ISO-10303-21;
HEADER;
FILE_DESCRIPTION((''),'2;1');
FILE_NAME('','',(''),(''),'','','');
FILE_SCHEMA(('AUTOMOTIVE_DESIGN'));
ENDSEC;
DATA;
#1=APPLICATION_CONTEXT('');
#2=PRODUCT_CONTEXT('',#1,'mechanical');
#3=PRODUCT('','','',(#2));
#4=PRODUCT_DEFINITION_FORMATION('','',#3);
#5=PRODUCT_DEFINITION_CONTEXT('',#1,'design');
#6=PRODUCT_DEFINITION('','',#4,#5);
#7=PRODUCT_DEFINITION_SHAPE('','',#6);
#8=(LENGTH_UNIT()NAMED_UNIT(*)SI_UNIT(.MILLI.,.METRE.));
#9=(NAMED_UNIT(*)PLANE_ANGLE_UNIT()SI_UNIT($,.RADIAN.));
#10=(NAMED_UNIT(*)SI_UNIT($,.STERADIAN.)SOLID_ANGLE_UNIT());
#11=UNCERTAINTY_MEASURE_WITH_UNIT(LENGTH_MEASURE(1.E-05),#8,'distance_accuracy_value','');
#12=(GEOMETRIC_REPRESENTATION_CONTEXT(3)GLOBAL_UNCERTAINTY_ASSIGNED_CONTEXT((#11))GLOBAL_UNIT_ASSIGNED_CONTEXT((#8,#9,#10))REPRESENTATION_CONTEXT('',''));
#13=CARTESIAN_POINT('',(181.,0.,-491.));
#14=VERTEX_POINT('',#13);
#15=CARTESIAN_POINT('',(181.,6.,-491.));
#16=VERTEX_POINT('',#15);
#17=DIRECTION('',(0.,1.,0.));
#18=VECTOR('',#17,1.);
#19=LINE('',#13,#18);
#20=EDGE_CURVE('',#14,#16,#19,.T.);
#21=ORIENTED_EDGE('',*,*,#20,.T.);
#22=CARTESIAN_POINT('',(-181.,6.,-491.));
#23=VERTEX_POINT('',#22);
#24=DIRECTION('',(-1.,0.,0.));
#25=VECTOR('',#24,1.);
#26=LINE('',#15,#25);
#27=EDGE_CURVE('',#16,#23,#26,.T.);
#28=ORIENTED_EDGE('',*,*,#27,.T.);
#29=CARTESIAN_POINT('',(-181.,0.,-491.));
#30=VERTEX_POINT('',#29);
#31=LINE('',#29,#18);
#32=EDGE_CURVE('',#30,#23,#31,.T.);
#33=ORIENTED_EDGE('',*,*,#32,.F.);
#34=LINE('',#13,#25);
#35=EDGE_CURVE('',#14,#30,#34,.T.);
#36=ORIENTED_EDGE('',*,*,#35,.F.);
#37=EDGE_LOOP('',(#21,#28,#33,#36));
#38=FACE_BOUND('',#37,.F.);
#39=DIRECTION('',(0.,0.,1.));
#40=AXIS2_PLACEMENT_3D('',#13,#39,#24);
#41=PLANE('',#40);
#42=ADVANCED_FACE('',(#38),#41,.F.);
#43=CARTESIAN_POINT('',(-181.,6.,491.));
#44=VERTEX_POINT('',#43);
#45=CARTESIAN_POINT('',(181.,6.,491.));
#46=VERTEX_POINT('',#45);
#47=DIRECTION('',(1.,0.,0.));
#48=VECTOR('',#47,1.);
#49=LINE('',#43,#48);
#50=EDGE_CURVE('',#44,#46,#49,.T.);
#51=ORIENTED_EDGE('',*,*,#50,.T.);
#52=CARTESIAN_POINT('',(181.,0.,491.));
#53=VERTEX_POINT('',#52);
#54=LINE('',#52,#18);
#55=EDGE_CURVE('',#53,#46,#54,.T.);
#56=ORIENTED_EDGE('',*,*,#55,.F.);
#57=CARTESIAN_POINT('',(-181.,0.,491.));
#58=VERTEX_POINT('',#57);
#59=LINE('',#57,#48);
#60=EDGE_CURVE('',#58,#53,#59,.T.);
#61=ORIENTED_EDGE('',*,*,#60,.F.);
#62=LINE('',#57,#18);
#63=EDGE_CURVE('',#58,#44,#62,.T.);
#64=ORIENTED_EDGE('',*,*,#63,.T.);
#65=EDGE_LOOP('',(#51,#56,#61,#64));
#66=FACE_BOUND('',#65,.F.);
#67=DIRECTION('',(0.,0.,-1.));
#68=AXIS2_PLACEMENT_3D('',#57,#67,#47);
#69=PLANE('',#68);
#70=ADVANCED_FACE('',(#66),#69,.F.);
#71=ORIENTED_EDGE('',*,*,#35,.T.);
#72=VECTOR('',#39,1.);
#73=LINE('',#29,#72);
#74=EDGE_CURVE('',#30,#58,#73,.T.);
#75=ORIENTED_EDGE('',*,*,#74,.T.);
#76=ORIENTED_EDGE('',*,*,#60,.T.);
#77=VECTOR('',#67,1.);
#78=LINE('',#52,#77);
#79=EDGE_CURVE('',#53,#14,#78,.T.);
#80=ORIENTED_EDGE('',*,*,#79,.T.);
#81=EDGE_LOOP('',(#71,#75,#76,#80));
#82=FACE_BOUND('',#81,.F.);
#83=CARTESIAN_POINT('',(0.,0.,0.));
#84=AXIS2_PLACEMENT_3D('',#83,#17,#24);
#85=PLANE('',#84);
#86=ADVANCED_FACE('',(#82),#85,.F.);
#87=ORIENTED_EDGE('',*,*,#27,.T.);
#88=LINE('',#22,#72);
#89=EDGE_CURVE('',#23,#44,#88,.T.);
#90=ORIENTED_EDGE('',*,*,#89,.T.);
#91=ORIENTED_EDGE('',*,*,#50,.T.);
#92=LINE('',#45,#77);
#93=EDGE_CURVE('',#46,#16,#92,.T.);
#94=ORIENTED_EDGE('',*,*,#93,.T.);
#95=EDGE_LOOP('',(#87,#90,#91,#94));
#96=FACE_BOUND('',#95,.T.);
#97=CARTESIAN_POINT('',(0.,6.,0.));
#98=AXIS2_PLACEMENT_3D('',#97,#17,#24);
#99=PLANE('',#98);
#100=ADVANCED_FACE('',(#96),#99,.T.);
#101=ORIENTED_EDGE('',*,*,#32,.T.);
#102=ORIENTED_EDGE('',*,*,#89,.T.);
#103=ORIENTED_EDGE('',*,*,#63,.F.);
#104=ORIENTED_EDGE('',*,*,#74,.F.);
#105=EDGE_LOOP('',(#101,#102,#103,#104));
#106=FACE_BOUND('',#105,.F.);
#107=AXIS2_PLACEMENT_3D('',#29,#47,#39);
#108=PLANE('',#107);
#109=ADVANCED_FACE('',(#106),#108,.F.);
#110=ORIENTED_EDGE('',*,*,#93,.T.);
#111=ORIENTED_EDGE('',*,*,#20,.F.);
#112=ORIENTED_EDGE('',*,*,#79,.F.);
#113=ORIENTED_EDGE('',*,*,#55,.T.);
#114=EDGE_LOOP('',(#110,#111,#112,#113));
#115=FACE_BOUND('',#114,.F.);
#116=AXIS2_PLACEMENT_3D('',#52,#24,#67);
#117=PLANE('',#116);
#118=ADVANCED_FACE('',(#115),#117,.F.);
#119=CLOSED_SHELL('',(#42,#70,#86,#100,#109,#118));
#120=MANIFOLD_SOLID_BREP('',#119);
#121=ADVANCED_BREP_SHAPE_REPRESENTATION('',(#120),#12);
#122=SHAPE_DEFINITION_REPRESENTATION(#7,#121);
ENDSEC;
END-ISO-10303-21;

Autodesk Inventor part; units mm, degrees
ref_plane "YZ Plane" through (0, 0, 0) normal (1, 0, 0) x (0, 1, 0)
ref_plane "XZ Plane" through (0, 0, 0) normal (0, 1, 0) x (-1, 0, 0)
ref_plane "XY Plane" through (0, 0, 0) normal (0, 0, 1) x (1, 0, 0)
sketch "Sketch1" plane through (0, 0, 0) normal (0, 1, 0) x (-1, 0, 0)
  line L0 (181, 491) -> (-181, 491)
  line L1 (-181, 491) -> (-181, -491)
  line L2 (-181, -491) -> (181, -491)
  line L3 (181, -491) -> (181, 491)
  line L4 (181, 491) -> (-181, -491) construction
  line L5 (-181, 491) -> (181, -491) construction
  point P0 (0, 0)
  dimension "d0" = 362
  dimension "d1" = 982
extrude "Extrusion1" add sketch "Sketch1" along normal blind 6
sketch "Sketch2" plane through (0, 6, 0) normal (0, 1, 0) x (1, 0, 0)
  line L0 (-174, -475) -> (26, -475)
  line L1 (26, -475) -> (26, -325)
  line L2 (26, -325) -> (-174, -325)
  line L3 (-174, -325) -> (-174, -475)
  line L4 (-174, -315) -> (26, -315)
  line L5 (26, -315) -> (26, -165)
  line L6 (26, -165) -> (-174, -165)
  line L7 (-174, -165) -> (-174, -315)
  line L8 (-174, -155) -> (26, -155)
  line L9 (26, -155) -> (26, -5)
  line L10 (26, -5) -> (-174, -5)
  line L11 (-174, -5) -> (-174, -155)
  line L12 (-174, 5) -> (26, 5)
  line L13 (26, 5) -> (26, 155)
  line L14 (26, 155) -> (-174, 155)
  line L15 (-174, 155) -> (-174, 5)
  line L16 (-174, 165) -> (26, 165)
  line L17 (26, 165) -> (26, 315)
  line L18 (26, 315) -> (-174, 315)
  line L19 (-174, 315) -> (-174, 165)
  line L20 (-174, 325) -> (26, 325)
  line L21 (26, 325) -> (26, 475)
  line L22 (26, 475) -> (-174, 475)
  line L23 (-174, 475) -> (-174, 325)
  line L24 (-181, -491) -> (181, -491) projected
  line L25 (-181, 491) -> (-181, -491) projected
  line L26 (27, -489) -> (33, -489)
  line L27 (33, -489) -> (33, 481)
  line L28 (33, 481) -> (27, 481)
  line L29 (27, 481) -> (27, -489)
  point P0 (0, 0)
  dimension "d4" = 200
  dimension "d5" = 150
  dimension "d8" = 160
  dimension "d13" = 16
  dimension "d14" = 7
  dimension "d15" = 6
  dimension "d16" = 970
properties part number "Onderkant1" material "Wood (Cherry)"
